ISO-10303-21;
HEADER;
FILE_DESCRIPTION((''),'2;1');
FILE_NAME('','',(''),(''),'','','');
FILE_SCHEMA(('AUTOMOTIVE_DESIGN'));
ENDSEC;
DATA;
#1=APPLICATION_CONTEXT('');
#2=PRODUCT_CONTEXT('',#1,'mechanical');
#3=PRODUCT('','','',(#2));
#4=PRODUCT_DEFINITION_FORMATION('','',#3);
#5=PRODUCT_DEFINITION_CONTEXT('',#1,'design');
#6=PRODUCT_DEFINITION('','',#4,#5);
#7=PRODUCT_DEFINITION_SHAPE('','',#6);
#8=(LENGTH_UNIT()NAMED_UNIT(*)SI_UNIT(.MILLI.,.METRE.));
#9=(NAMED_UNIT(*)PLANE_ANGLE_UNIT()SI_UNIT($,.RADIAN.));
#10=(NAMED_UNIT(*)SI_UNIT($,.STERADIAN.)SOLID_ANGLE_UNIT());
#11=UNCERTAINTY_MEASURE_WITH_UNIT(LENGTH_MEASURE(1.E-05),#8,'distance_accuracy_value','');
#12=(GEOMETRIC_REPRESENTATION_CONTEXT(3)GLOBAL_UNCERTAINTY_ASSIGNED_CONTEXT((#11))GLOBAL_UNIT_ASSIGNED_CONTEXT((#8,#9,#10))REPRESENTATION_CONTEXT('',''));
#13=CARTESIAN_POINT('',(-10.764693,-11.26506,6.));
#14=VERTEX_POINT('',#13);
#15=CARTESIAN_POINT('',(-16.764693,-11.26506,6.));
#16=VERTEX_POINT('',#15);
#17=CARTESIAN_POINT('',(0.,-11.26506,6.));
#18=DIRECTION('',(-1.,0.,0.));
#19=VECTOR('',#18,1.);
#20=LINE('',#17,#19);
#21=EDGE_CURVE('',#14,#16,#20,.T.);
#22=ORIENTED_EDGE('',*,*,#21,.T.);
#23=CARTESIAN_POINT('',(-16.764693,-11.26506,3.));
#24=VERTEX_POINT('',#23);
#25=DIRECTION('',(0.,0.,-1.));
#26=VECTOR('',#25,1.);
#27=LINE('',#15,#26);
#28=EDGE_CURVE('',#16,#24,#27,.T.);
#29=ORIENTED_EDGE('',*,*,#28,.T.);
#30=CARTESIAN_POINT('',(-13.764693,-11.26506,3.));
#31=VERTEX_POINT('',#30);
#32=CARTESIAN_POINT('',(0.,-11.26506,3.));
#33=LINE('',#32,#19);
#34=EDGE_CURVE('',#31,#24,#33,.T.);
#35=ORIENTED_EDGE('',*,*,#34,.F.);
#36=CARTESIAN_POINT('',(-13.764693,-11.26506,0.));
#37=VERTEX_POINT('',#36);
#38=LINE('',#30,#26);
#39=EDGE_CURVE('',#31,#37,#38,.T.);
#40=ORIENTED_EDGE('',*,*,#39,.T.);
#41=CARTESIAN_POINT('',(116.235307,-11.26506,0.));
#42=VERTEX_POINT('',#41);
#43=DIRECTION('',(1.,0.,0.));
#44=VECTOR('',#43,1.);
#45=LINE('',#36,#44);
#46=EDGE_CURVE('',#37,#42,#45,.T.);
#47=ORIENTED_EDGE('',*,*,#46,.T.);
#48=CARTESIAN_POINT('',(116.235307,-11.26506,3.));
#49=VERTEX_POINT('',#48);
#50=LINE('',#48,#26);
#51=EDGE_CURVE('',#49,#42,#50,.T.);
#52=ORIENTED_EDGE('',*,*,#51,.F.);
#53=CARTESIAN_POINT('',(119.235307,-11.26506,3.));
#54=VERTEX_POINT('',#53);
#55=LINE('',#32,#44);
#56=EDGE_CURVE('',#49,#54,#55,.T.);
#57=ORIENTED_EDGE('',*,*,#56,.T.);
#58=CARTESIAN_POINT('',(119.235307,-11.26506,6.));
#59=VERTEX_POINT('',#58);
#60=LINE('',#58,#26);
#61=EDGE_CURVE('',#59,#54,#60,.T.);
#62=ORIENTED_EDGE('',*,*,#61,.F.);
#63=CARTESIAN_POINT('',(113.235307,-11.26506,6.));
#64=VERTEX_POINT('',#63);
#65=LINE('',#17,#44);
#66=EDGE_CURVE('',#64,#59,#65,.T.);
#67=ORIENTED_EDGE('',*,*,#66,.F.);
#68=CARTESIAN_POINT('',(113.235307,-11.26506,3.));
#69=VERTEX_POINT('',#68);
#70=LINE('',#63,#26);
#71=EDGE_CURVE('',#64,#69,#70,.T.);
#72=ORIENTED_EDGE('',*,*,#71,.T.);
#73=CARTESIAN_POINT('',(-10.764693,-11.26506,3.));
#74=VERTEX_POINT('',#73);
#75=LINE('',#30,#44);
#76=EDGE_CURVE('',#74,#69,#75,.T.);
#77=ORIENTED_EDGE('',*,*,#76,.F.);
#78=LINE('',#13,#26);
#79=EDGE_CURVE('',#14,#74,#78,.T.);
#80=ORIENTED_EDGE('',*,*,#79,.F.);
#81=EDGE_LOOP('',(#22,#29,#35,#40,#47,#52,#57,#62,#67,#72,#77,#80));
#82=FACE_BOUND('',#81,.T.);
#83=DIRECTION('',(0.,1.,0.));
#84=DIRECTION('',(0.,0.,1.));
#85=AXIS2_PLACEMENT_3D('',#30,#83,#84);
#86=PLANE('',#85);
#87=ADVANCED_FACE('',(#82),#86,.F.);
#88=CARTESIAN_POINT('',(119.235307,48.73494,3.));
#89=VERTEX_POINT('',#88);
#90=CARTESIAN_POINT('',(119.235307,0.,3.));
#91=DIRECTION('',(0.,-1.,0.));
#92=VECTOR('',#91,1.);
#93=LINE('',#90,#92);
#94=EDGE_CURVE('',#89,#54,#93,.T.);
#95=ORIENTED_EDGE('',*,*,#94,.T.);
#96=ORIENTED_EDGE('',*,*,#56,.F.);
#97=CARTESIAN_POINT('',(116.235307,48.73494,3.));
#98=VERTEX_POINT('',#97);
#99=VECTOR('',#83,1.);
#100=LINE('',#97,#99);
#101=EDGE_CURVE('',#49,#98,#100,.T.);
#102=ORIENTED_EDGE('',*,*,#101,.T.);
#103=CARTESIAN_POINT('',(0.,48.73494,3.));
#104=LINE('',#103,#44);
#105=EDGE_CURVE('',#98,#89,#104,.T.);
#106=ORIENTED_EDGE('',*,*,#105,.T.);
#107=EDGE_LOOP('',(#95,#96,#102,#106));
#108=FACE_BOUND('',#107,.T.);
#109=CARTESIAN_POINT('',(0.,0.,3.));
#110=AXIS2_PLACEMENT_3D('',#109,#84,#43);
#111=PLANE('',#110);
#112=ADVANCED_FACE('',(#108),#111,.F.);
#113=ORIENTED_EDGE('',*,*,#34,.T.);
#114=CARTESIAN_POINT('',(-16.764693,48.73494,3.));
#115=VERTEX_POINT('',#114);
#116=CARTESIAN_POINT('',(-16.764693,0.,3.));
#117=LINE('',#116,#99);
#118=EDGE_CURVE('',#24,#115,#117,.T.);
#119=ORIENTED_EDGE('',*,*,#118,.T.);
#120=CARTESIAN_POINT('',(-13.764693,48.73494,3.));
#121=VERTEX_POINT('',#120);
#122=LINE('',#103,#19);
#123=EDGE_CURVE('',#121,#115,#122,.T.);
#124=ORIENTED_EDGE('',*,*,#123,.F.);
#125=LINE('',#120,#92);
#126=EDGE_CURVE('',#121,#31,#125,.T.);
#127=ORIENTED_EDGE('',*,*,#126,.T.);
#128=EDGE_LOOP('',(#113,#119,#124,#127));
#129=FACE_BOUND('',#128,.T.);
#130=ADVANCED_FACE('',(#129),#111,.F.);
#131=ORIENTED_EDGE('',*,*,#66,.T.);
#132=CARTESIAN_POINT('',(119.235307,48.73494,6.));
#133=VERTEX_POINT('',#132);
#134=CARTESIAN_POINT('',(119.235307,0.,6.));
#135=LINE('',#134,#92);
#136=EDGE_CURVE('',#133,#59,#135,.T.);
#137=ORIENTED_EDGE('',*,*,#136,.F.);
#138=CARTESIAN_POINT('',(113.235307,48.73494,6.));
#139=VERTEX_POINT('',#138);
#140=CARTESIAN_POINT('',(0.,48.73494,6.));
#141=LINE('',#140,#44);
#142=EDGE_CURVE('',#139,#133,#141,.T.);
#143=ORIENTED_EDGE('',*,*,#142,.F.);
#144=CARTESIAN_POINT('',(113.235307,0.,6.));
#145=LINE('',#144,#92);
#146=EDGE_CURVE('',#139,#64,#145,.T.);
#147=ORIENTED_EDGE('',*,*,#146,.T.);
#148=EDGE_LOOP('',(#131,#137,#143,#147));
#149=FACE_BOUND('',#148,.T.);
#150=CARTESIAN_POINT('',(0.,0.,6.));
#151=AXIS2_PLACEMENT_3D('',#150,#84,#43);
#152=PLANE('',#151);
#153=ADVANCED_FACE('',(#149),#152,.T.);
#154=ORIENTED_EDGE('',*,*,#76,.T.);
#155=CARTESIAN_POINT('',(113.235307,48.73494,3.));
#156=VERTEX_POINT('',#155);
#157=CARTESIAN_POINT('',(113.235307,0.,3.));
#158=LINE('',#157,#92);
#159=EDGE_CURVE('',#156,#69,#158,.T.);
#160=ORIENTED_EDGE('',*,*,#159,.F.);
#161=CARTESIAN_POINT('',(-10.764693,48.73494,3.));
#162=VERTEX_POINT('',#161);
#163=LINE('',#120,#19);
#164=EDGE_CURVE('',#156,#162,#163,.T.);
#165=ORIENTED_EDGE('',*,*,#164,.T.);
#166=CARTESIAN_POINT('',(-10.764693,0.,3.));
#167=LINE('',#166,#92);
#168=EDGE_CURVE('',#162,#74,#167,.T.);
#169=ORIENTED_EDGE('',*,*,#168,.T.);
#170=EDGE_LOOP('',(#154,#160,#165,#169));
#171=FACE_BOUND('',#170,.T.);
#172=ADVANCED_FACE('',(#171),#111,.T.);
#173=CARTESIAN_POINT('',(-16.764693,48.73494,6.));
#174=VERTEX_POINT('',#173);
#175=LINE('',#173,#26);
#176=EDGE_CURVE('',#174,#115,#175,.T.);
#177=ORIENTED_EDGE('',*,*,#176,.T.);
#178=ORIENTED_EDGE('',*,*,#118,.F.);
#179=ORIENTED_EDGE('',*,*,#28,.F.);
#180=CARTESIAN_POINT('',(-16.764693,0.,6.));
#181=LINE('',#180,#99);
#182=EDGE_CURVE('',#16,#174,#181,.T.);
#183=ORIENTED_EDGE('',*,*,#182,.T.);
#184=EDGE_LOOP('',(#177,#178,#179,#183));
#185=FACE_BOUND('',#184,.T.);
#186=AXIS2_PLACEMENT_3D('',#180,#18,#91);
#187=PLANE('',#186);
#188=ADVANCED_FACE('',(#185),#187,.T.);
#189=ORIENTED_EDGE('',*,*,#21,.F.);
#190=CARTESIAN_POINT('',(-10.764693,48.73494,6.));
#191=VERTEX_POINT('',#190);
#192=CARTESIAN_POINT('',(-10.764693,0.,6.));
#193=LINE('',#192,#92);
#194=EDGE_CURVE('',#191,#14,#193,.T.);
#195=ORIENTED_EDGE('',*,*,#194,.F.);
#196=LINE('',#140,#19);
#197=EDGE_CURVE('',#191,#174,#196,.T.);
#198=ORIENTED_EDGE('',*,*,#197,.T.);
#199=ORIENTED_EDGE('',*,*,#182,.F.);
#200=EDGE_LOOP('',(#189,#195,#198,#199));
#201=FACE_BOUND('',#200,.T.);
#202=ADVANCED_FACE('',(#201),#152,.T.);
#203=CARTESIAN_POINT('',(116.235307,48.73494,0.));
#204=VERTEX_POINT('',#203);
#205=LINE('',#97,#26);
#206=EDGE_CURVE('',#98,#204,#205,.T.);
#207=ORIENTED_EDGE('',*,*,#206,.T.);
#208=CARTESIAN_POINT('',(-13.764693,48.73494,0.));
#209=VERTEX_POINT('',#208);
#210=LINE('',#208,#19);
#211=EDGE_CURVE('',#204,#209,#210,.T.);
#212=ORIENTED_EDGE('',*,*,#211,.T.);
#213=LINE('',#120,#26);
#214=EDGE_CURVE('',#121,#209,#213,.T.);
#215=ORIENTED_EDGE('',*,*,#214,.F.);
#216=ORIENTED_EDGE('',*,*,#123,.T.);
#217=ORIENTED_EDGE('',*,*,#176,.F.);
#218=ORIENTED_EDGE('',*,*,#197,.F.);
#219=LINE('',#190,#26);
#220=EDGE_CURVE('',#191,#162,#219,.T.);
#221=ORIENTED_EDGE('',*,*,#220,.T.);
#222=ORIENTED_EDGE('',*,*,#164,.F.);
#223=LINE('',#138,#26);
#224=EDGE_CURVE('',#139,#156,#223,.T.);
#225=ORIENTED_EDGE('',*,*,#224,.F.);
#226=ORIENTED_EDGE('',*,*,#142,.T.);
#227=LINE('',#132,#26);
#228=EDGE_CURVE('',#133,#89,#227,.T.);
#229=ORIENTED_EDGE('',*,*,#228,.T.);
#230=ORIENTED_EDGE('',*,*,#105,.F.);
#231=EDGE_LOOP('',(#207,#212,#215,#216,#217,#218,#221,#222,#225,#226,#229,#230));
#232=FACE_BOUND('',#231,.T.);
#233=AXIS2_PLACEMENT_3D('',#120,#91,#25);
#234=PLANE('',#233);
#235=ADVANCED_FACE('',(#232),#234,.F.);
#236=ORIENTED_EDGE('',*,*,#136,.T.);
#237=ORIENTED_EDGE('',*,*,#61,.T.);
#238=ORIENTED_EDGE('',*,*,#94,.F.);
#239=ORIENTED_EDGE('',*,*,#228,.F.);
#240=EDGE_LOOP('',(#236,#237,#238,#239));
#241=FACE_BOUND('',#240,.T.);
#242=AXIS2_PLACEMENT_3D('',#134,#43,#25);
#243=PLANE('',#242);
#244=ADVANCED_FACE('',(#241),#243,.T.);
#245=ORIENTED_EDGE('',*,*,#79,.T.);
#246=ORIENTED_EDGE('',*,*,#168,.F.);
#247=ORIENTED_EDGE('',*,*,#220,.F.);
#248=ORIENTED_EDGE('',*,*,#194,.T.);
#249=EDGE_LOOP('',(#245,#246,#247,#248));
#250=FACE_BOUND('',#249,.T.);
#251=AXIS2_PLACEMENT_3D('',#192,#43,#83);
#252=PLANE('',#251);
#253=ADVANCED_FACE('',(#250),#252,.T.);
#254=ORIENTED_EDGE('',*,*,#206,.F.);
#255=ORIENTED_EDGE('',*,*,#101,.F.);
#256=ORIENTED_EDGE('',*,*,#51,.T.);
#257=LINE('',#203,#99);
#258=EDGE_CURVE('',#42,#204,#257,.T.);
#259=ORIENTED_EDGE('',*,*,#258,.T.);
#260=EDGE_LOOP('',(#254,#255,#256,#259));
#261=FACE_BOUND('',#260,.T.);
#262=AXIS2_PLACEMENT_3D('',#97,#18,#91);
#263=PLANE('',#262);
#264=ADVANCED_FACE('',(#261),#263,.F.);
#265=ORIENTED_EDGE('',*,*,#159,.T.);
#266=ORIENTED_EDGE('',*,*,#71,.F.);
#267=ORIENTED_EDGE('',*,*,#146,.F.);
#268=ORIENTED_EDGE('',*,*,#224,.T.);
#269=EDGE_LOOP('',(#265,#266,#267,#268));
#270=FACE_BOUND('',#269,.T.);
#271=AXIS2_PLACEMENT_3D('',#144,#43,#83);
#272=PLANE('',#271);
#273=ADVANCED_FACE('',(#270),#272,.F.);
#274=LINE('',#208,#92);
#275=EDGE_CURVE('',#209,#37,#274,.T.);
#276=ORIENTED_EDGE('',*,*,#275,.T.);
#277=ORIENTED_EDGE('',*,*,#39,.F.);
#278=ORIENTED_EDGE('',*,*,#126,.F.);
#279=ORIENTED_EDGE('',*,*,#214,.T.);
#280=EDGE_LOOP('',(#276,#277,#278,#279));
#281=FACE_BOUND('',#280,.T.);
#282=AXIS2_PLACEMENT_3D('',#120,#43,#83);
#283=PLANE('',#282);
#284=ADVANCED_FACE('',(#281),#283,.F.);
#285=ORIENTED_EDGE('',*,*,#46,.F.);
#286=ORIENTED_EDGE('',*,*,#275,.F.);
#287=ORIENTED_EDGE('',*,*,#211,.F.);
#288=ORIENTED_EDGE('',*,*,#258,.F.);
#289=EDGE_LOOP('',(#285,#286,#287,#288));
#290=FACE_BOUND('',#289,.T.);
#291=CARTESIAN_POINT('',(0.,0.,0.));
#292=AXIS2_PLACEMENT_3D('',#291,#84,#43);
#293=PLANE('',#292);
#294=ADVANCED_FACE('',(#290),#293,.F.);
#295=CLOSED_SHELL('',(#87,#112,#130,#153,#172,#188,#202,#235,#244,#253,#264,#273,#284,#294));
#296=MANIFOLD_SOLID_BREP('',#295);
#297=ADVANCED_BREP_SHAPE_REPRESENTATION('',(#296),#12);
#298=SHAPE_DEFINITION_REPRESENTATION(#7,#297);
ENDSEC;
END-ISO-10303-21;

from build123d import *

# Parameters (mm, degrees)
SKETCH_1_W      = 130
SKETCH_1_H      = 60
EXTRUDE_1_DEPTH = 3
SKETCH_2_W      = 3
SKETCH_2_H      = 60
EXTRUDE_2_DEPTH = 3


with BuildPart() as part:
    # 草圖1 → 填料-伸長1 (new body)
    with BuildSketch(Plane.XY):
        with Locations((51.235306675, 18.734939759)):
            Rectangle(SKETCH_1_W, SKETCH_1_H)
    extrude(amount=EXTRUDE_1_DEPTH)

    # 草圖2 → 填料-伸長2 (add)
    with BuildSketch(Plane.XY.offset(3)):
        with Locations((-15.264693325, 18.734939759)):
            Rectangle(SKETCH_2_W, SKETCH_2_H)
        with Locations((-12.264693325, 18.734939759)):
            Rectangle(SKETCH_2_W, SKETCH_2_H)
        with Locations((117.735306675, 18.734939759)):
            Rectangle(SKETCH_2_W, SKETCH_2_H)
        with Locations((114.735306675, 18.734939759)):
            Rectangle(SKETCH_2_W, SKETCH_2_H)
    extrude(amount=EXTRUDE_2_DEPTH)


solid = part.part
